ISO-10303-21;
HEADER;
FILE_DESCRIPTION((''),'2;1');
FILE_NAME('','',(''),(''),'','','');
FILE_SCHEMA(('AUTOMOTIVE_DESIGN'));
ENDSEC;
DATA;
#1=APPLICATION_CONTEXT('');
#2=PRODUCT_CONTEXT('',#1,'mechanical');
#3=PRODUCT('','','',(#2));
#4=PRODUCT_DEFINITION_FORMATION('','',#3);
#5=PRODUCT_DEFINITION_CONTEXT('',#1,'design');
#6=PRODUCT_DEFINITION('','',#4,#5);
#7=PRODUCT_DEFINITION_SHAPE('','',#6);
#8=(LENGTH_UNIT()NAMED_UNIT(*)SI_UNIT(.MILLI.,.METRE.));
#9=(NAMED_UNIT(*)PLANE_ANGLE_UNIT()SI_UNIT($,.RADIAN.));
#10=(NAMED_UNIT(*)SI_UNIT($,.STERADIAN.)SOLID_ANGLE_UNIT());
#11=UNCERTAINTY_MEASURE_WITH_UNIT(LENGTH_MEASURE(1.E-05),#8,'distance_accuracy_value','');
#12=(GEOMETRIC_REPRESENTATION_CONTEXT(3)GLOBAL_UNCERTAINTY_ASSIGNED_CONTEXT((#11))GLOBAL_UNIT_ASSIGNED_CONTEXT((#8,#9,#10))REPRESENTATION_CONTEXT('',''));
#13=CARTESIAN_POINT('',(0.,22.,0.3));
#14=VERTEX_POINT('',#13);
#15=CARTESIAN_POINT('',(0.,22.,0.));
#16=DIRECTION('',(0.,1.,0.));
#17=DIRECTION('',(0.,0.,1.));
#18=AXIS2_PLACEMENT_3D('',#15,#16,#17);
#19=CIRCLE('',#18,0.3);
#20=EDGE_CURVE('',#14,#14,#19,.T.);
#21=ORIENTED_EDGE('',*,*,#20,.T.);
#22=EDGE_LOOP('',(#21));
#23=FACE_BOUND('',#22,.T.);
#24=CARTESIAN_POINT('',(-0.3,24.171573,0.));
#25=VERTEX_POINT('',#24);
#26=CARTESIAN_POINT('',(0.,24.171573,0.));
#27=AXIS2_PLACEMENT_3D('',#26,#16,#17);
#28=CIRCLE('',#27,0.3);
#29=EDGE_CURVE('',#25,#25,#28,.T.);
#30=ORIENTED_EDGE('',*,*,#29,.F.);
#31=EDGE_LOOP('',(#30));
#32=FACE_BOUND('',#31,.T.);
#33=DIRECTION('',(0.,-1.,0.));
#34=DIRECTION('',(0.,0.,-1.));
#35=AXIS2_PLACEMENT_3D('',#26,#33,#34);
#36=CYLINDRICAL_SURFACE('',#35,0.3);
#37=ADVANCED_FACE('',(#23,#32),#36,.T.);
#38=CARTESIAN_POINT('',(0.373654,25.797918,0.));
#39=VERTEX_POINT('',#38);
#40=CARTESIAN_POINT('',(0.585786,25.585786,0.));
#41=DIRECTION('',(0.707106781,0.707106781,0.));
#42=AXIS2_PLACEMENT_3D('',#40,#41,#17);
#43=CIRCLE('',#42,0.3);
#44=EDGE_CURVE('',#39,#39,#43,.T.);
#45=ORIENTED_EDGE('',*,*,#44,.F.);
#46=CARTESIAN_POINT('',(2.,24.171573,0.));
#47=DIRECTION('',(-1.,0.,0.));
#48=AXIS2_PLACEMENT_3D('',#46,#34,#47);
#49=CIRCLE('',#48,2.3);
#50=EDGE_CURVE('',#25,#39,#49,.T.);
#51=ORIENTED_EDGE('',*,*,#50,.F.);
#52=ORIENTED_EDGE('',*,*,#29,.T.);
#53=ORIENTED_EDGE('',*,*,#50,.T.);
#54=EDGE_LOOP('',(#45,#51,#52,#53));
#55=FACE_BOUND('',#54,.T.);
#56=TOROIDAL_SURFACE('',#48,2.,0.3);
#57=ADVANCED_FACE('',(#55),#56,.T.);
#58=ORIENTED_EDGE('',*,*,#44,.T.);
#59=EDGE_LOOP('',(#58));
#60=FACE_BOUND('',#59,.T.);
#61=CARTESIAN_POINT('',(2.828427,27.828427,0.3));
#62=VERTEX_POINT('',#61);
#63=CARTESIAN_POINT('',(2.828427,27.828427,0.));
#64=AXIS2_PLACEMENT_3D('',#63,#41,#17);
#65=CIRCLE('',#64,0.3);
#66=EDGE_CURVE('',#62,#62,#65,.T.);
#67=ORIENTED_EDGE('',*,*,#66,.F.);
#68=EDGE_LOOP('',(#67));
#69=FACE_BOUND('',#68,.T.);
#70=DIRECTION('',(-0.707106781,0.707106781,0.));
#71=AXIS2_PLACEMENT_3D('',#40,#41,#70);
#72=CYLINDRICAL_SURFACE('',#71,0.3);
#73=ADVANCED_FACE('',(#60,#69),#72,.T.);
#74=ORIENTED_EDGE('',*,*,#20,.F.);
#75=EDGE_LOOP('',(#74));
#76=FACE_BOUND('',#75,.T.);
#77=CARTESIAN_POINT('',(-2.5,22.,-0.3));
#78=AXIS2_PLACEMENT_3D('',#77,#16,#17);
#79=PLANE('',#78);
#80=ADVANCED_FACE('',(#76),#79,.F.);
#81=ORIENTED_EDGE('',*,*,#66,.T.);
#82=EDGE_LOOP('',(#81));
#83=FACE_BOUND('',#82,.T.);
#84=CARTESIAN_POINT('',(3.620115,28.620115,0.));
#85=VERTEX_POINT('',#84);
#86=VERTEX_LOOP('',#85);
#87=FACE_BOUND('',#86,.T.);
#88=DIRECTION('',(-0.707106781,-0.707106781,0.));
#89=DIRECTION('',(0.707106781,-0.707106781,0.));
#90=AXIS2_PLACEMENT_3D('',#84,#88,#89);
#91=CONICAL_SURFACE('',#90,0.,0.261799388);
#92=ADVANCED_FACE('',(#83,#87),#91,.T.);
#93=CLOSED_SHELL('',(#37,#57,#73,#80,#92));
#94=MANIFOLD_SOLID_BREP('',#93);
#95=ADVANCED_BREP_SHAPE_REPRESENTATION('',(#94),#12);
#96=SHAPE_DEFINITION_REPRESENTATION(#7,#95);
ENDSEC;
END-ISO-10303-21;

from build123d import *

# Parameters (mm, degrees)
SKETCH8_R               = 0.3
CUT_EXTRUDE1_DEPTH      = 29.849717382
CUT_EXTRUDE1_DEPTH_BACK = 29.849717382
SKETCH10_W              = 5
SKETCH10_H              = 44


with BuildPart() as part:
    # Sweep1: sweep along a path in Sketch7
    with BuildLine(Plane.XY) as sweep1_path:
        Line((0, 0), (0, 24.171572875))
        ThreePointArc((0, 24.171572875), (0.152240935, 24.93693974), (0.585786438, 25.585786438))
        Line((0.585786438, 25.585786438), (2.828427125, 27.828427125))
    # Sketch8 → Sweep1 (sweep)
    with BuildSketch(Plane(origin=(0, 0, 0), x_dir=(1, 0, 0), z_dir=(0, 1, 0))):
        Circle(SKETCH8_R)
    sweep(path=sweep1_path.line)

    # Sketch9 → Revolve2 (revolve)
    with BuildSketch(Plane.XY):
        Polygon((2.61629509, 28.040559159), (3.620114655, 28.620114655), (2.828427125, 27.828427125), align=None)
    revolve(axis=Axis((2.285405043, 27.285405043, 0), (0.7071067811865509, 0.7071067811865442, 0)))

    # Sketch10 → Cut-Extrude1 (cut, two sides: drawn at the far end of the back side and taken through both)
    with BuildSketch(Plane.XY.offset(-CUT_EXTRUDE1_DEPTH_BACK)):
        Rectangle(SKETCH10_W, SKETCH10_H)
    extrude(amount=CUT_EXTRUDE1_DEPTH + CUT_EXTRUDE1_DEPTH_BACK, mode=Mode.SUBTRACT)


solid = part.part
